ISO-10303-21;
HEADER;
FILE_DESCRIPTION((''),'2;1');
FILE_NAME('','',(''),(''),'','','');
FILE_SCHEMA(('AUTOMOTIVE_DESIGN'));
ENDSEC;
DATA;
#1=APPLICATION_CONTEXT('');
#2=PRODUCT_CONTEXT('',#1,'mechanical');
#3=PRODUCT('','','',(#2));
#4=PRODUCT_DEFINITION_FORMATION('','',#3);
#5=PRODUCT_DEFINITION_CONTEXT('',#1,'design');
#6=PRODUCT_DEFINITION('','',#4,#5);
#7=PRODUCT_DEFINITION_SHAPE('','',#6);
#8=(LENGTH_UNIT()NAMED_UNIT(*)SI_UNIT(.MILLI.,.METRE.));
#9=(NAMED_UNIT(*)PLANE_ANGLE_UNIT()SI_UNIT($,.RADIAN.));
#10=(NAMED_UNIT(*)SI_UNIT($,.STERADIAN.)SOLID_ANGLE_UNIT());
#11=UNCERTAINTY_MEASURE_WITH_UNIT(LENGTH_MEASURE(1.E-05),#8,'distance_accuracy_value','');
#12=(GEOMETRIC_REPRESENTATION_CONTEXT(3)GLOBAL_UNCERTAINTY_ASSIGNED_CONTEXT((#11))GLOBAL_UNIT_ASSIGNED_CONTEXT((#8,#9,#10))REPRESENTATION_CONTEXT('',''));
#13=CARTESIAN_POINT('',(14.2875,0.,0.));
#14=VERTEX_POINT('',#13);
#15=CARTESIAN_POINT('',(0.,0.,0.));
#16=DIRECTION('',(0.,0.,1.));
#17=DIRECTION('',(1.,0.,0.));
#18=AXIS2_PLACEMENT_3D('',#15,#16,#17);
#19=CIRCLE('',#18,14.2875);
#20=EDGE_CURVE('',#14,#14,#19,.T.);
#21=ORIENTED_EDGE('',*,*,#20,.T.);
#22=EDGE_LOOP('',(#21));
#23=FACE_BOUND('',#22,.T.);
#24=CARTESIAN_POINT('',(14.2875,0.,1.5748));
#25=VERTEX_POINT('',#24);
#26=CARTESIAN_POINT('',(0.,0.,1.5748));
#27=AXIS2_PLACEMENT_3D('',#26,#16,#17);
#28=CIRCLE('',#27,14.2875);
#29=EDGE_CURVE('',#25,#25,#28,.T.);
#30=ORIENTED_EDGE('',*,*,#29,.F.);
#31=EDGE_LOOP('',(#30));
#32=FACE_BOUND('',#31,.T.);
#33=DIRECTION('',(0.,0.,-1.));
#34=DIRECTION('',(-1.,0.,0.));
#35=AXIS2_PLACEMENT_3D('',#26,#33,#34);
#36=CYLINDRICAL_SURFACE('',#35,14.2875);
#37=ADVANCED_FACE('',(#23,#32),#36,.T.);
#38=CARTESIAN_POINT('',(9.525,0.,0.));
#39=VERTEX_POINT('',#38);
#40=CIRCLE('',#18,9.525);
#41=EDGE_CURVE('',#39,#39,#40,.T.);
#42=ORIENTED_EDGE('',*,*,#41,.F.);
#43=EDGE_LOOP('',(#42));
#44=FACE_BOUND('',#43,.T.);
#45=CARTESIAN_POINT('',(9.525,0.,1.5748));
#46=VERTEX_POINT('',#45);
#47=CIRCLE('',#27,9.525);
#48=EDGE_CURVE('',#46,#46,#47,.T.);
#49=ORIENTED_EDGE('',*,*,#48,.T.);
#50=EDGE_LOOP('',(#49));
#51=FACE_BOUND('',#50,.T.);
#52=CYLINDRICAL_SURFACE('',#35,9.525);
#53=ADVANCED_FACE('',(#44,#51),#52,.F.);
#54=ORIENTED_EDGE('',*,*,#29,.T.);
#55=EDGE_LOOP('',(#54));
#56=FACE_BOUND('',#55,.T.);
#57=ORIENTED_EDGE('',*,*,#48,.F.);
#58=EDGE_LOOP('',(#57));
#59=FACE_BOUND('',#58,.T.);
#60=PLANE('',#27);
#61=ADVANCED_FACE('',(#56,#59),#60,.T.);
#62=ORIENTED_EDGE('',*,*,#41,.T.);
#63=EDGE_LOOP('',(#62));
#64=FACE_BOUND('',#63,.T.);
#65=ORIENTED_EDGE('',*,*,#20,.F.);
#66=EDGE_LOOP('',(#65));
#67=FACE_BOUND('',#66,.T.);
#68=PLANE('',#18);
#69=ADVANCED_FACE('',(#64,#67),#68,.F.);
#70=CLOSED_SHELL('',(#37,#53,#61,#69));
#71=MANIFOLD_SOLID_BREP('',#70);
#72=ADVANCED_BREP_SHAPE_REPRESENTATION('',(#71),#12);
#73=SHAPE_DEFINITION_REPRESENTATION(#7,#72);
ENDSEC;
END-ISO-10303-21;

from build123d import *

# Parameters (mm, degrees)
SKETCH1_R           = 14.2875
SKETCH1_R_2         = 9.525
BOSS_EXTRUDE1_DEPTH = 1.5748


with BuildPart() as part:
    # Sketch1 → Boss-Extrude1 (new body)
    with BuildSketch(Plane.XY):
        Circle(SKETCH1_R)
        Circle(SKETCH1_R_2, mode=Mode.SUBTRACT)
    extrude(amount=BOSS_EXTRUDE1_DEPTH)


solid = part.part
